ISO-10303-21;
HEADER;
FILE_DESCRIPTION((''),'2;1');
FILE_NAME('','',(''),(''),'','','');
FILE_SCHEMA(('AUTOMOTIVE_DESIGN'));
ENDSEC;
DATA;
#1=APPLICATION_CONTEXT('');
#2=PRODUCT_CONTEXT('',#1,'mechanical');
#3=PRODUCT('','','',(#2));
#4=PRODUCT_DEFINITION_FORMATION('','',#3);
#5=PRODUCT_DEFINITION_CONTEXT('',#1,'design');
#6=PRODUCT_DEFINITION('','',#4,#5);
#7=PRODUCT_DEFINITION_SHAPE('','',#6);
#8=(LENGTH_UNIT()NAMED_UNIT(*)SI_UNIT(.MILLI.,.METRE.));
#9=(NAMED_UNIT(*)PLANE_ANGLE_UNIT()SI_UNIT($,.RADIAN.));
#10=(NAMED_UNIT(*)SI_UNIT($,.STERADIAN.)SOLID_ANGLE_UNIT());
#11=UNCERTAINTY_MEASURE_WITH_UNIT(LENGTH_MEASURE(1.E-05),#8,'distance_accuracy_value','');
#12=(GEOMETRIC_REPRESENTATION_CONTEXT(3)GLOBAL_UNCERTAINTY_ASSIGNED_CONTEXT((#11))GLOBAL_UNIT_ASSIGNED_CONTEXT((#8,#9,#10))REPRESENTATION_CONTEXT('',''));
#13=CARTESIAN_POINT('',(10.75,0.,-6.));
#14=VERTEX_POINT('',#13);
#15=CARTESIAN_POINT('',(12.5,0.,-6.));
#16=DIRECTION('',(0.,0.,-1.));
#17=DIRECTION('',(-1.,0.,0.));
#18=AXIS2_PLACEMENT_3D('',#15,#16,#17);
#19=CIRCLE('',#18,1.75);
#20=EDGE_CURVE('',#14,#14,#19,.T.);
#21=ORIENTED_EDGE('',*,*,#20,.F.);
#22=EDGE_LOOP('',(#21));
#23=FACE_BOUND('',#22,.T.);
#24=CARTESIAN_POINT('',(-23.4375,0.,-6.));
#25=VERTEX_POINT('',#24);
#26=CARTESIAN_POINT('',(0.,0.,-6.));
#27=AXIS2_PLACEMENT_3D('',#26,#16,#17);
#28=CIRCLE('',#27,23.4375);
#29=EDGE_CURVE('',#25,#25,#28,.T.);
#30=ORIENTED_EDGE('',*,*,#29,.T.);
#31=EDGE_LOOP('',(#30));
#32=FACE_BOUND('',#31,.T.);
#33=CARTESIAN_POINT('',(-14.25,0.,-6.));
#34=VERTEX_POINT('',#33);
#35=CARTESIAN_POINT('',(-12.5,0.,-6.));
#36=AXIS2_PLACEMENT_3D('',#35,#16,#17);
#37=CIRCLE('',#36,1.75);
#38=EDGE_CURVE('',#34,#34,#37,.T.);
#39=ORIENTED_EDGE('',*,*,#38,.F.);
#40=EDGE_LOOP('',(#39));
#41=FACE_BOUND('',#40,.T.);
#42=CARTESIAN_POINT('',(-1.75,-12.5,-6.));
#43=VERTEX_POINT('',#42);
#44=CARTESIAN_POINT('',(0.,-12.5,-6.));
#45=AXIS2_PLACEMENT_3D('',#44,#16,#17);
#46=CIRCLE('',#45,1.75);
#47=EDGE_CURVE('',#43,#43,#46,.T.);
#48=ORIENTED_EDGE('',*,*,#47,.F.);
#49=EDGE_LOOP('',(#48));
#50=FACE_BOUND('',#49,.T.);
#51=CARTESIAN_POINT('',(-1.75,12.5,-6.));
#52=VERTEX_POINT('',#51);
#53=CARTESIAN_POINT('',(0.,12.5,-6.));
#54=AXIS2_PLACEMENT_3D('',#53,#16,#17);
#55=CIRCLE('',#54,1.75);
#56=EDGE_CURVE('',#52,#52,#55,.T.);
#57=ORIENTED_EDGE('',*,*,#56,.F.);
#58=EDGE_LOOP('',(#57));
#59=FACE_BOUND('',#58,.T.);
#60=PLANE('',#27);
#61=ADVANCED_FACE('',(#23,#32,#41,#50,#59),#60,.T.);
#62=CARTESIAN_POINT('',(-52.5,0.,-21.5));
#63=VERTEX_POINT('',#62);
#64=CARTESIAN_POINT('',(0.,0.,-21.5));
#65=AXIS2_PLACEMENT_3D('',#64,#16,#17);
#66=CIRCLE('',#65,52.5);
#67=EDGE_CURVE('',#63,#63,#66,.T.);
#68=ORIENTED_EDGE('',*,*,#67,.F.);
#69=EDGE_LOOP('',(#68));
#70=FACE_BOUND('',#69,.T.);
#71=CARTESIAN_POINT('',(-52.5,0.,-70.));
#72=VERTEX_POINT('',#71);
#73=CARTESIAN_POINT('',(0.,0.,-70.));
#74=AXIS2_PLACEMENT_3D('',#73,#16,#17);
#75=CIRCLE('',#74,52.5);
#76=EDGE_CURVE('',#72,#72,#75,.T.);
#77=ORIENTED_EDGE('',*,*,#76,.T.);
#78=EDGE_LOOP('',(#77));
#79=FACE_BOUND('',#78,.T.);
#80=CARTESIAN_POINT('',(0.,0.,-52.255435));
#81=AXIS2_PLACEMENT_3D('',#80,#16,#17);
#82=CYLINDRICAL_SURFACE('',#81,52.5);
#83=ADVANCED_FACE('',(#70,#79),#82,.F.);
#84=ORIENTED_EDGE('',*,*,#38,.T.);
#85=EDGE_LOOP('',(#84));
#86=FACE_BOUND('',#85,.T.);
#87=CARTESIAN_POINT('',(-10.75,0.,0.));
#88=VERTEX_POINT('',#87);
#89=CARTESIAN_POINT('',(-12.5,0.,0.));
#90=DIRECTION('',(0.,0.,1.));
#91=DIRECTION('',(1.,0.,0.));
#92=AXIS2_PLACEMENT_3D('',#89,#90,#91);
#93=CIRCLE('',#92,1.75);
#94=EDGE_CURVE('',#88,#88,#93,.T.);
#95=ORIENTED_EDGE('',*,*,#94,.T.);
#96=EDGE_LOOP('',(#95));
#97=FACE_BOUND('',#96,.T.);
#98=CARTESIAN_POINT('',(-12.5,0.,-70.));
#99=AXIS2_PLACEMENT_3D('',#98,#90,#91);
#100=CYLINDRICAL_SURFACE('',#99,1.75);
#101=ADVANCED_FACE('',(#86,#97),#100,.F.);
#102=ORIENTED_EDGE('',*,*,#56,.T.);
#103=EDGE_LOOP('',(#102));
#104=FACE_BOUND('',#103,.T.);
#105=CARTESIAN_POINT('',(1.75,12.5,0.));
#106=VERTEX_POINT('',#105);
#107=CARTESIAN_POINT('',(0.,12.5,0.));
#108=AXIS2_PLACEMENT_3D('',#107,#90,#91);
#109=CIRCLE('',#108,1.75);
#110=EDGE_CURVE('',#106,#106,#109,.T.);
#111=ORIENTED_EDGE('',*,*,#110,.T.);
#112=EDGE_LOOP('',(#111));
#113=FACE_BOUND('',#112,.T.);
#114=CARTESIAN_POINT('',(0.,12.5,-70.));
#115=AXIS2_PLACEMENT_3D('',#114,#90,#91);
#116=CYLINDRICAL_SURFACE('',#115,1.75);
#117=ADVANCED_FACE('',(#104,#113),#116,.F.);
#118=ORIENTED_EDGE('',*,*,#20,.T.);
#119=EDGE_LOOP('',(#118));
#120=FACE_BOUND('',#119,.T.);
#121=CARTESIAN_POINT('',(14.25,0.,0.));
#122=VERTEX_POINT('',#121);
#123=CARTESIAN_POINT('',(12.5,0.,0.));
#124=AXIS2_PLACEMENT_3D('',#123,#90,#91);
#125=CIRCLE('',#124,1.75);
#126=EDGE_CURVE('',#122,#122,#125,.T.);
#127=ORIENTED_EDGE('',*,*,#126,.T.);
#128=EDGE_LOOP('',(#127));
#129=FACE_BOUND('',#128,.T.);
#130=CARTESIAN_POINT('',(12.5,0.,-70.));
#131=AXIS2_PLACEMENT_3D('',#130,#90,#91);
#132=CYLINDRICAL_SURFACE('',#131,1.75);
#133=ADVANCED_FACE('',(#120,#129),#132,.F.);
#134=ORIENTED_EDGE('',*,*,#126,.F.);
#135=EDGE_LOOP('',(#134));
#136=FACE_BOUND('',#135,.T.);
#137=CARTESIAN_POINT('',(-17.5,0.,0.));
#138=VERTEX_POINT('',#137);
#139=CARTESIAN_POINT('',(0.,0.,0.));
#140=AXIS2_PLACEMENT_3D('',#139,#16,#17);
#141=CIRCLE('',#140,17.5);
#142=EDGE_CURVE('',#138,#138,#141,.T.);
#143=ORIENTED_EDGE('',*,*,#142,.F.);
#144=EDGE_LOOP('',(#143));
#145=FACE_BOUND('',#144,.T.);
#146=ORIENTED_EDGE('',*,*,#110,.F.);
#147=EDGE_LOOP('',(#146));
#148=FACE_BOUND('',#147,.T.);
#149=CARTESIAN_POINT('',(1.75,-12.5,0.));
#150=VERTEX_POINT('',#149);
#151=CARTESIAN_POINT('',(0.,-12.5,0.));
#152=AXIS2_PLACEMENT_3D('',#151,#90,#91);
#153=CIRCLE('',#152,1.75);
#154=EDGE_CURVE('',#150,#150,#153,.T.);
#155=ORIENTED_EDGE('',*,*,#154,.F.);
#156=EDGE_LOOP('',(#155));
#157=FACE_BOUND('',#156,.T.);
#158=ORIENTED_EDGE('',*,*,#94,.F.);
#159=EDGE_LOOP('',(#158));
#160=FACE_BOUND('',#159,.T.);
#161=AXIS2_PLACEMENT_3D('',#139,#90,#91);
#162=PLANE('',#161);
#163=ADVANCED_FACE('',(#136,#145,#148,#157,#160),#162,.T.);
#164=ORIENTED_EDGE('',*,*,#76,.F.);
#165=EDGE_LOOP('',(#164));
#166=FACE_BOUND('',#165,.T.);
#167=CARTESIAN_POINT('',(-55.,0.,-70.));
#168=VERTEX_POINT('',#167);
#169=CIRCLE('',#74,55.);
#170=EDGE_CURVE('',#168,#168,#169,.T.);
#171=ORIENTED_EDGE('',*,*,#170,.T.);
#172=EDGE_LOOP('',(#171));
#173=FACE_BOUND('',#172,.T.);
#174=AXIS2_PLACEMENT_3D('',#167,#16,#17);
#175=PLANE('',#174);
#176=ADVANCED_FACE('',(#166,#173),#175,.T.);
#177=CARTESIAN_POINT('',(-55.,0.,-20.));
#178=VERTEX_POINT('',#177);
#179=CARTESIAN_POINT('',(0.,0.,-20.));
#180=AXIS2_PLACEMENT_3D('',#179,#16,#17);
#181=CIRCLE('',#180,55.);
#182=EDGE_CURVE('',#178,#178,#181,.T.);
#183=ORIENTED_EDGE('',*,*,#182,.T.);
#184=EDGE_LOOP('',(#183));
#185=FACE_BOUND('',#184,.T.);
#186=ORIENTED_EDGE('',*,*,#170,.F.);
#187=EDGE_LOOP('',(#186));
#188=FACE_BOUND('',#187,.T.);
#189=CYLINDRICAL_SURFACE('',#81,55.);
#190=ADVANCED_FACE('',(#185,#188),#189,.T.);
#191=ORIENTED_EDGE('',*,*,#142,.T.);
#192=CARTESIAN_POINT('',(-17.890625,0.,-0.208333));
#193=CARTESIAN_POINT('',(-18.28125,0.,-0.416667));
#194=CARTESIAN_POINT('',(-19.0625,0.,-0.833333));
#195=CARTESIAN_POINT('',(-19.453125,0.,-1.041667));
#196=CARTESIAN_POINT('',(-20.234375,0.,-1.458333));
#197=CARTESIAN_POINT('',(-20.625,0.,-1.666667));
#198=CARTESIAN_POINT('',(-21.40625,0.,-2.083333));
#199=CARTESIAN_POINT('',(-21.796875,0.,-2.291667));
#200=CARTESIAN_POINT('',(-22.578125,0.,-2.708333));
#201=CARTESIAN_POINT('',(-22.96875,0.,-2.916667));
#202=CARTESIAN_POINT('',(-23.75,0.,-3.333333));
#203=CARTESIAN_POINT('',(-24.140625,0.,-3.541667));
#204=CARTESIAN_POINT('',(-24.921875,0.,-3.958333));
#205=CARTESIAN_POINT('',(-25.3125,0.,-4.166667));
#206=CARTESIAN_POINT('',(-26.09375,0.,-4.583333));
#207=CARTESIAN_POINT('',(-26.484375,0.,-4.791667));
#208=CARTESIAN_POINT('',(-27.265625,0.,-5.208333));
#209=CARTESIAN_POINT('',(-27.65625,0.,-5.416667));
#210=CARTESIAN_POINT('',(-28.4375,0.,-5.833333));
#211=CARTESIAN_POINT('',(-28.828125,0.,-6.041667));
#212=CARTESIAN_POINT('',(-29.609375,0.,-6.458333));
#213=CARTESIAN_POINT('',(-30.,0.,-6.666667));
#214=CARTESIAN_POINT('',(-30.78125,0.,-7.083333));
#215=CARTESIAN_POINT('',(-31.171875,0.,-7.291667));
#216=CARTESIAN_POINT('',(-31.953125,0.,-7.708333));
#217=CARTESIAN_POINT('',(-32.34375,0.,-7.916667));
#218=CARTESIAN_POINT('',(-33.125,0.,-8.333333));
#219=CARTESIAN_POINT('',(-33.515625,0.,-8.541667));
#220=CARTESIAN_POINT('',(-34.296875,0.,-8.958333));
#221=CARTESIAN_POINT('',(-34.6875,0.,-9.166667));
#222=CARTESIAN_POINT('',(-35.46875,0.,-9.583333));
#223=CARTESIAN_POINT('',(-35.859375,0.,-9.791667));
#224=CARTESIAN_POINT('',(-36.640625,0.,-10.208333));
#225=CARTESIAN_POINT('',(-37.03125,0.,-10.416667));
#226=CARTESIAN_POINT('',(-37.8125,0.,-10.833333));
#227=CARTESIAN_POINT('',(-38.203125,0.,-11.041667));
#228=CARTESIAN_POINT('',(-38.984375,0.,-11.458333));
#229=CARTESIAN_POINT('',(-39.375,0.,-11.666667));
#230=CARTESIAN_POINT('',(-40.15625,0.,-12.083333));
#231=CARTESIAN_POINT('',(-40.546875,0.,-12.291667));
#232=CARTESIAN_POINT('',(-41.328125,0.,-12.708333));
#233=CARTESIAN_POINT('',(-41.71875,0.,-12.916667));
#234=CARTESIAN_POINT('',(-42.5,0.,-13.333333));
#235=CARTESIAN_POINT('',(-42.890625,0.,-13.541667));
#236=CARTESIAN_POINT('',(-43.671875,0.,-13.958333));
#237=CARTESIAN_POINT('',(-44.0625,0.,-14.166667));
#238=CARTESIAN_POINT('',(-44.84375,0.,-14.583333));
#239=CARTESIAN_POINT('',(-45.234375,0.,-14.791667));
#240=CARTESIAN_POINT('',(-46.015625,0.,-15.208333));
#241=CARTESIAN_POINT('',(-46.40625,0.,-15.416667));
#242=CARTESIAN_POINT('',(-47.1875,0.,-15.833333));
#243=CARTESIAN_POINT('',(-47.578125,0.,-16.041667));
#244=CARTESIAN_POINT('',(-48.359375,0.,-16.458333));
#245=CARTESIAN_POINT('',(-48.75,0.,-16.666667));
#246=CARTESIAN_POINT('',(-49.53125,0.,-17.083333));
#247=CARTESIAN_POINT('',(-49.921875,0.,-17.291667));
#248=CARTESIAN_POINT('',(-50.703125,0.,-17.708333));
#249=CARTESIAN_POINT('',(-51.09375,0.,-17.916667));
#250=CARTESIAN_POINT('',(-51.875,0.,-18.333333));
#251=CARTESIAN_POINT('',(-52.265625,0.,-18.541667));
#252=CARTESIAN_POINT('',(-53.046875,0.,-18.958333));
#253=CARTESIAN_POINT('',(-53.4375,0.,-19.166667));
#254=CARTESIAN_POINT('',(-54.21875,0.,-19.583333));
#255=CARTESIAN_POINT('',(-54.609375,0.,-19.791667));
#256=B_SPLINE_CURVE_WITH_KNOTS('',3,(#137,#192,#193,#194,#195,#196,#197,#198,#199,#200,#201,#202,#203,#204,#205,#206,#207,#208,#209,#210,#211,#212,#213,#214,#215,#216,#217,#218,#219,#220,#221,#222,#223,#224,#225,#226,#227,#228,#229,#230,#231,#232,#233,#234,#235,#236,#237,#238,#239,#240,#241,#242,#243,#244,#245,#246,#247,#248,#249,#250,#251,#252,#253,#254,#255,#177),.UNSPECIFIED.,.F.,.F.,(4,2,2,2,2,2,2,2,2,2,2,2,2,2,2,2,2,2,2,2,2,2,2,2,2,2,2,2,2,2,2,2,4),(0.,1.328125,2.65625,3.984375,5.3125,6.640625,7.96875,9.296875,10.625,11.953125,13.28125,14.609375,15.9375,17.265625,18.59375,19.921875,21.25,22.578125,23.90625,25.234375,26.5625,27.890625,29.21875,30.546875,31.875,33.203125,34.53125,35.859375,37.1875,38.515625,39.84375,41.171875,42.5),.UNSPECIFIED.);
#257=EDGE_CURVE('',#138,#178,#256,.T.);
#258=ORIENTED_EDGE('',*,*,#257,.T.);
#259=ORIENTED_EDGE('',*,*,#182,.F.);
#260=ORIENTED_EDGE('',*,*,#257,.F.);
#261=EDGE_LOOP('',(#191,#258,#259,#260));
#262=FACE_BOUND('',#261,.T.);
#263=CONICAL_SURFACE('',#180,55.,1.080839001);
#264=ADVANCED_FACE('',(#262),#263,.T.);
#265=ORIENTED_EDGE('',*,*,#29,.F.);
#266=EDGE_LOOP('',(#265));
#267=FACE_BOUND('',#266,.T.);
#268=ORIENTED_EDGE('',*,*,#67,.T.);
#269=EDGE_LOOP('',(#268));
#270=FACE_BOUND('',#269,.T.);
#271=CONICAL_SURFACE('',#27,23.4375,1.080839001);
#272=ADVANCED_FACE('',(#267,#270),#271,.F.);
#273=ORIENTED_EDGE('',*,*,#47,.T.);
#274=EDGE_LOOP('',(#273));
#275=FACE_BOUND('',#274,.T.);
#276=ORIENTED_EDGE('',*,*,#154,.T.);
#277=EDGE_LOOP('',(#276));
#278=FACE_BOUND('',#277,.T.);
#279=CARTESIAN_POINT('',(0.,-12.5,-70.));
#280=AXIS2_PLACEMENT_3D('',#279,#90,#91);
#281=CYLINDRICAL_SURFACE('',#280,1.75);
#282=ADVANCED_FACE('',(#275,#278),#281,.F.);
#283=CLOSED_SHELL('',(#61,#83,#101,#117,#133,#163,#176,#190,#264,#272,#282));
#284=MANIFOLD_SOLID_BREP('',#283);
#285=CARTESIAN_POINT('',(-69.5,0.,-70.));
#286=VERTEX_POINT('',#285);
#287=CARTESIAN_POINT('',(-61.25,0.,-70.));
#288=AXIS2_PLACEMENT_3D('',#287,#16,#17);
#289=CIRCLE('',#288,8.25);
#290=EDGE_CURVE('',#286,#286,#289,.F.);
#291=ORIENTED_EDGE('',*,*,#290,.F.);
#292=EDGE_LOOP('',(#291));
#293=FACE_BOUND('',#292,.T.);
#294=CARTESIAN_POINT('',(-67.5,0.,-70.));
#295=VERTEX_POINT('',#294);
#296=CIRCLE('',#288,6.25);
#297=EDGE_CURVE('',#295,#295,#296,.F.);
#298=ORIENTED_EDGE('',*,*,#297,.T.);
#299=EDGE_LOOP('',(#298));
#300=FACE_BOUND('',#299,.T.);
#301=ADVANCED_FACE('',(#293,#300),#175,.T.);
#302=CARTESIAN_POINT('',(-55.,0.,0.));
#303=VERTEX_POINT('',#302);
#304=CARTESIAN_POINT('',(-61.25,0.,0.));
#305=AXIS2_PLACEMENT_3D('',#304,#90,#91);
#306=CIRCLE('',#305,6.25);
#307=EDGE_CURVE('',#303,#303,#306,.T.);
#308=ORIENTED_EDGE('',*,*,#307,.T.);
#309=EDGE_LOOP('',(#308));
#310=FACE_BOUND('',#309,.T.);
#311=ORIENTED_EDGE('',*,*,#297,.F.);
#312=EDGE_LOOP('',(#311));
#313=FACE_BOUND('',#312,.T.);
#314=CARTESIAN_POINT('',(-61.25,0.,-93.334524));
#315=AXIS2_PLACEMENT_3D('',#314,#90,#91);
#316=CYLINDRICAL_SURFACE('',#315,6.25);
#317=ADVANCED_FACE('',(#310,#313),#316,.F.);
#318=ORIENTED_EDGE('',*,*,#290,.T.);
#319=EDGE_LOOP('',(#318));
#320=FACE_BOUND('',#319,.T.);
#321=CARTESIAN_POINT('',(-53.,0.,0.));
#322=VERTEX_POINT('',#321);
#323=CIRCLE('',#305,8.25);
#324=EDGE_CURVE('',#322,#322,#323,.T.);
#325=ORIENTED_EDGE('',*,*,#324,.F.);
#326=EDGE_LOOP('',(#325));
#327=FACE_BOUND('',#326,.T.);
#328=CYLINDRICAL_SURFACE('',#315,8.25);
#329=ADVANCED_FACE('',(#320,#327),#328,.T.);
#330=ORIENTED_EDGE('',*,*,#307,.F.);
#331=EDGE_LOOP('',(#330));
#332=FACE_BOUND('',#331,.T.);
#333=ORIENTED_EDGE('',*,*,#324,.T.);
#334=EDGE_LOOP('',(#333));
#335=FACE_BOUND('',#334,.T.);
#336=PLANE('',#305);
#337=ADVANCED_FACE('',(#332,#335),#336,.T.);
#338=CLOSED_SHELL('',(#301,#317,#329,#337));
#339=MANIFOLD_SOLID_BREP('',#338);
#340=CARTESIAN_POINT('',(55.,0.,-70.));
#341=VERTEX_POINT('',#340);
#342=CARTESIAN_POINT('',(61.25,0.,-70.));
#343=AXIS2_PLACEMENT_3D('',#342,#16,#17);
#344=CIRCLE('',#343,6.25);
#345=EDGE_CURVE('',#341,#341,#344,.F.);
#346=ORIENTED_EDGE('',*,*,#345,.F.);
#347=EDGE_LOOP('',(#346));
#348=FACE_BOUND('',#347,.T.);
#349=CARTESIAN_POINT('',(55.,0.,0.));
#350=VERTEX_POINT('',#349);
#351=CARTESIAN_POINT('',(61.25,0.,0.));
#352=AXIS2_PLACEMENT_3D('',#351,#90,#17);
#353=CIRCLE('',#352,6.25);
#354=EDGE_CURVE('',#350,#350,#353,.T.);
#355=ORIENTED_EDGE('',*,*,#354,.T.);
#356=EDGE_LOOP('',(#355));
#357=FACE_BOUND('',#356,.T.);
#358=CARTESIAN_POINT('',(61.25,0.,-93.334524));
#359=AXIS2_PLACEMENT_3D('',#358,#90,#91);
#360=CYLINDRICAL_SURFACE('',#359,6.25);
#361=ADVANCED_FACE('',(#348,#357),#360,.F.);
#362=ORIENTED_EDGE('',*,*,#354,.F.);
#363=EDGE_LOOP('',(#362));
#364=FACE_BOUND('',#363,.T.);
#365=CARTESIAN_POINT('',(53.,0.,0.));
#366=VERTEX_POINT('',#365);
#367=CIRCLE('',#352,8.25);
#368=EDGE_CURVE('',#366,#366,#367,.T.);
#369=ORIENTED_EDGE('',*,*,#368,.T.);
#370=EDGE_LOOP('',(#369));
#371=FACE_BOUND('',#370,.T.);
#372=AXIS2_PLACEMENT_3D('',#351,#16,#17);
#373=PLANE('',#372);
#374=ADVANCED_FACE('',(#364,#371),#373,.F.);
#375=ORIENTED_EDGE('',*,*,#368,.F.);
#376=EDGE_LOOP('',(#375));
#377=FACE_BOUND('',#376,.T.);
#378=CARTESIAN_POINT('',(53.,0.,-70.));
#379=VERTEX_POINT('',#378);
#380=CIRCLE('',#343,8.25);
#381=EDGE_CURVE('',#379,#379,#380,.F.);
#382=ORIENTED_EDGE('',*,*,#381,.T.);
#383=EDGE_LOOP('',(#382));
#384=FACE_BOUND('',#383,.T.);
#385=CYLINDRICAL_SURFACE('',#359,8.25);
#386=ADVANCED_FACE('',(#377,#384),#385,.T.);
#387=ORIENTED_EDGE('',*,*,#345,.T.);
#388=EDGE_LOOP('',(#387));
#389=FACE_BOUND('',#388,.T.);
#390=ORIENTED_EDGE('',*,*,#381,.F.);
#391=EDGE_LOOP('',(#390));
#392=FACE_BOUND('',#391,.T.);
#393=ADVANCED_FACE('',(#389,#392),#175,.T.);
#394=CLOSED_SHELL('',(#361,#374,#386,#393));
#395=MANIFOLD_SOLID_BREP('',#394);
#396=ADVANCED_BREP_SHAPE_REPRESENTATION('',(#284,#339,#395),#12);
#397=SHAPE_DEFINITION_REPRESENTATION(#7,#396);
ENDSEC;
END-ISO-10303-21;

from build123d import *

# Parameters (mm, degrees)
SKETCH3_R             = 1.75
CUT_EXTRUDE1_DEPTH    = 105.642247682
SKETCH4_R             = 8.25
SKETCH4_R_2           = 6.25
BOSS_EXTRUDE1_DEPTH   = 70
BOSS_EXTRUDE1_2_DEPTH = 70


with BuildPart() as part:
    # Sketch2 → Revolve1 (revolve)
    with BuildSketch(Plane(origin=(0, 0, 0), x_dir=(1, 0, 0), z_dir=(0, 1, 0))):
        Polygon((0, 0), (-17.5, 0), (-55, 20), (-55, 70), (-52.5, 70), (-52.5, 21.5), (-23.4375, 6), (-15, 6), (0, 6), align=None)
    revolve(axis=Axis((0, 0, -52.255434783), (0, 0, 1)))

    # Sketch3 → Cut-Extrude1 (cut, through all)
    with BuildSketch(Plane.XY):
        with Locations((0, 12.5)):
            Circle(SKETCH3_R)
        with Locations((12.5, 0)):
            Circle(SKETCH3_R)
        with Locations((0, -12.5)):
            Circle(SKETCH3_R)
        with Locations((-12.5, 0)):
            Circle(SKETCH3_R)
    extrude(amount=-CUT_EXTRUDE1_DEPTH, mode=Mode.SUBTRACT)


with BuildPart() as body_2:
    # Sketch4 → Boss-Extrude1 (new body)
    with BuildSketch(Plane.XY):
        with Locations((-61.25, 0)):
            Circle(SKETCH4_R)
        with Locations((-61.25, 0)):
            Circle(SKETCH4_R_2, mode=Mode.SUBTRACT)
    extrude(amount=-BOSS_EXTRUDE1_DEPTH)


with BuildPart() as body_3:
    # Sketch4 → Boss-Extrude1 2 (new body)
    with BuildSketch(Plane.XY):
        with Locations(Location((61.25, 0, 0), (0, 0, 180))):
            Circle(SKETCH4_R)
        with Locations(Location((61.25, 0, 0), (0, 0, 180))):
            Circle(SKETCH4_R_2, mode=Mode.SUBTRACT)
    extrude(amount=-BOSS_EXTRUDE1_2_DEPTH)


solid = Compound([part.part, body_2.part, body_3.part])
